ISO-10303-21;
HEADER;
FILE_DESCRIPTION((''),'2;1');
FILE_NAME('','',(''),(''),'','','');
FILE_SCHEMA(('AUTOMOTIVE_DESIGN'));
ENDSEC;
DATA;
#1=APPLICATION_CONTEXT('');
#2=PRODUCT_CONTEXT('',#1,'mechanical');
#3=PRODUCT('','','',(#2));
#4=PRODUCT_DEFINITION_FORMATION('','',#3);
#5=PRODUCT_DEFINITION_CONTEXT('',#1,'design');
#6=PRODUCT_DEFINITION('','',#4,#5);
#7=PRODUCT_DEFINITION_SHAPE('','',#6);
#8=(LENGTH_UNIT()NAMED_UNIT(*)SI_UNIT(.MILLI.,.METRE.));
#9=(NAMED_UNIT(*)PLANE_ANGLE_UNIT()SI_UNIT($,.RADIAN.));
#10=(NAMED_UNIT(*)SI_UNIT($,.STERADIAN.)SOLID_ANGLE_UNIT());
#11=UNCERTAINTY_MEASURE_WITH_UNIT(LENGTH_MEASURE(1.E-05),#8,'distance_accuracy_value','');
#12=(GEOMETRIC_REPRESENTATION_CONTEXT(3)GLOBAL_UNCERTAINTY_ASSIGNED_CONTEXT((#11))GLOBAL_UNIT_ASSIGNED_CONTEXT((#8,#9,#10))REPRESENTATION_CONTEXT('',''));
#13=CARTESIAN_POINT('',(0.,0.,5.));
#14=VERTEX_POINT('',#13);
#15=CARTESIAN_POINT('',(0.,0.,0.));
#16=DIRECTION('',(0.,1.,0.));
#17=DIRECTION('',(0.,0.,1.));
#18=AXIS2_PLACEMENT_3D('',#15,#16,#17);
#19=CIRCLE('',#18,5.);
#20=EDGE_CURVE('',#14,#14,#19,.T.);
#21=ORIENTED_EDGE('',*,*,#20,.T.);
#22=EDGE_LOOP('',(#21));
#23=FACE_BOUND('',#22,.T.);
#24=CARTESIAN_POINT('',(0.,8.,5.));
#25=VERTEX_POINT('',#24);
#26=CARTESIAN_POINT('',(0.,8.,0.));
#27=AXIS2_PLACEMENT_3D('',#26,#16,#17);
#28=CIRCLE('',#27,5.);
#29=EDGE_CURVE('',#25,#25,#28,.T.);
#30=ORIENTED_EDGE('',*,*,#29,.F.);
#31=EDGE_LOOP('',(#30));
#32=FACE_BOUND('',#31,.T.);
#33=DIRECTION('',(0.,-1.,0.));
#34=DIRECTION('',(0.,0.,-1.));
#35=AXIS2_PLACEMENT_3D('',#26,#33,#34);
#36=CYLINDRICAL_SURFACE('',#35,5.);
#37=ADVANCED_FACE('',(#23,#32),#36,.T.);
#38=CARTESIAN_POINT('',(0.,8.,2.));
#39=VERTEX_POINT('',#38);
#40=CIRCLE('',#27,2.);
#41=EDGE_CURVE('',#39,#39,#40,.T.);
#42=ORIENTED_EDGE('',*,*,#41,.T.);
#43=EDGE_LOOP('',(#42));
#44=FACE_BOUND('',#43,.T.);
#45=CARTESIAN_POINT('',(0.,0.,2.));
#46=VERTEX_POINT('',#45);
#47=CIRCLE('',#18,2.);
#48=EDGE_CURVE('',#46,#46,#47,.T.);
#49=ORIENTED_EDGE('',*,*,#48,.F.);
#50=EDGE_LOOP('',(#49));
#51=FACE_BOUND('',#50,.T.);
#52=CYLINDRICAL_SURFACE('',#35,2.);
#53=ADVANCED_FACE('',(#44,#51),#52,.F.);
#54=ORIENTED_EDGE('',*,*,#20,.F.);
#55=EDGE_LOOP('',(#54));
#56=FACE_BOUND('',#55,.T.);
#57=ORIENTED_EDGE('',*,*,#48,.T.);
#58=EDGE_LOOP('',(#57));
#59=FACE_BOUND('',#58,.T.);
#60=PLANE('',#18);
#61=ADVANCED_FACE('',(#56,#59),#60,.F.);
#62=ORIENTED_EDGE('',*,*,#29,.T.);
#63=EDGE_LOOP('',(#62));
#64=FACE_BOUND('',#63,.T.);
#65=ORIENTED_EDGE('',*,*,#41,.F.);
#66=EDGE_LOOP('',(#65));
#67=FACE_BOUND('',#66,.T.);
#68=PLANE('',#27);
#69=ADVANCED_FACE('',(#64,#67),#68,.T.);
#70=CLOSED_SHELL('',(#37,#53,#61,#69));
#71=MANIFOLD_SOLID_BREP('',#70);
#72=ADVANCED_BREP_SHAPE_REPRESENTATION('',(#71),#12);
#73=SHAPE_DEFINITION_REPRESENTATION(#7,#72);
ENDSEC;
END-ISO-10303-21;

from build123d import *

# Parameters (mm, degrees)
SKETCH_1_R      = 5
SKETCH_1_R_2    = 2
EXTRUDE_1_DEPTH = 8


with BuildPart() as part:
    # Эскиз1 → Бобышка-Вытянуть1 (new body)
    with BuildSketch(Plane(origin=(0, 0, 0), x_dir=(1, 0, 0), z_dir=(0, 1, 0))):
        with Locations(Location((0, 0, 0), (0, 0, 270))):
            Circle(SKETCH_1_R)
        with Locations(Location((0, 0, 0), (0, 0, 270))):
            Circle(SKETCH_1_R_2, mode=Mode.SUBTRACT)
    extrude(amount=EXTRUDE_1_DEPTH)


solid = part.part
